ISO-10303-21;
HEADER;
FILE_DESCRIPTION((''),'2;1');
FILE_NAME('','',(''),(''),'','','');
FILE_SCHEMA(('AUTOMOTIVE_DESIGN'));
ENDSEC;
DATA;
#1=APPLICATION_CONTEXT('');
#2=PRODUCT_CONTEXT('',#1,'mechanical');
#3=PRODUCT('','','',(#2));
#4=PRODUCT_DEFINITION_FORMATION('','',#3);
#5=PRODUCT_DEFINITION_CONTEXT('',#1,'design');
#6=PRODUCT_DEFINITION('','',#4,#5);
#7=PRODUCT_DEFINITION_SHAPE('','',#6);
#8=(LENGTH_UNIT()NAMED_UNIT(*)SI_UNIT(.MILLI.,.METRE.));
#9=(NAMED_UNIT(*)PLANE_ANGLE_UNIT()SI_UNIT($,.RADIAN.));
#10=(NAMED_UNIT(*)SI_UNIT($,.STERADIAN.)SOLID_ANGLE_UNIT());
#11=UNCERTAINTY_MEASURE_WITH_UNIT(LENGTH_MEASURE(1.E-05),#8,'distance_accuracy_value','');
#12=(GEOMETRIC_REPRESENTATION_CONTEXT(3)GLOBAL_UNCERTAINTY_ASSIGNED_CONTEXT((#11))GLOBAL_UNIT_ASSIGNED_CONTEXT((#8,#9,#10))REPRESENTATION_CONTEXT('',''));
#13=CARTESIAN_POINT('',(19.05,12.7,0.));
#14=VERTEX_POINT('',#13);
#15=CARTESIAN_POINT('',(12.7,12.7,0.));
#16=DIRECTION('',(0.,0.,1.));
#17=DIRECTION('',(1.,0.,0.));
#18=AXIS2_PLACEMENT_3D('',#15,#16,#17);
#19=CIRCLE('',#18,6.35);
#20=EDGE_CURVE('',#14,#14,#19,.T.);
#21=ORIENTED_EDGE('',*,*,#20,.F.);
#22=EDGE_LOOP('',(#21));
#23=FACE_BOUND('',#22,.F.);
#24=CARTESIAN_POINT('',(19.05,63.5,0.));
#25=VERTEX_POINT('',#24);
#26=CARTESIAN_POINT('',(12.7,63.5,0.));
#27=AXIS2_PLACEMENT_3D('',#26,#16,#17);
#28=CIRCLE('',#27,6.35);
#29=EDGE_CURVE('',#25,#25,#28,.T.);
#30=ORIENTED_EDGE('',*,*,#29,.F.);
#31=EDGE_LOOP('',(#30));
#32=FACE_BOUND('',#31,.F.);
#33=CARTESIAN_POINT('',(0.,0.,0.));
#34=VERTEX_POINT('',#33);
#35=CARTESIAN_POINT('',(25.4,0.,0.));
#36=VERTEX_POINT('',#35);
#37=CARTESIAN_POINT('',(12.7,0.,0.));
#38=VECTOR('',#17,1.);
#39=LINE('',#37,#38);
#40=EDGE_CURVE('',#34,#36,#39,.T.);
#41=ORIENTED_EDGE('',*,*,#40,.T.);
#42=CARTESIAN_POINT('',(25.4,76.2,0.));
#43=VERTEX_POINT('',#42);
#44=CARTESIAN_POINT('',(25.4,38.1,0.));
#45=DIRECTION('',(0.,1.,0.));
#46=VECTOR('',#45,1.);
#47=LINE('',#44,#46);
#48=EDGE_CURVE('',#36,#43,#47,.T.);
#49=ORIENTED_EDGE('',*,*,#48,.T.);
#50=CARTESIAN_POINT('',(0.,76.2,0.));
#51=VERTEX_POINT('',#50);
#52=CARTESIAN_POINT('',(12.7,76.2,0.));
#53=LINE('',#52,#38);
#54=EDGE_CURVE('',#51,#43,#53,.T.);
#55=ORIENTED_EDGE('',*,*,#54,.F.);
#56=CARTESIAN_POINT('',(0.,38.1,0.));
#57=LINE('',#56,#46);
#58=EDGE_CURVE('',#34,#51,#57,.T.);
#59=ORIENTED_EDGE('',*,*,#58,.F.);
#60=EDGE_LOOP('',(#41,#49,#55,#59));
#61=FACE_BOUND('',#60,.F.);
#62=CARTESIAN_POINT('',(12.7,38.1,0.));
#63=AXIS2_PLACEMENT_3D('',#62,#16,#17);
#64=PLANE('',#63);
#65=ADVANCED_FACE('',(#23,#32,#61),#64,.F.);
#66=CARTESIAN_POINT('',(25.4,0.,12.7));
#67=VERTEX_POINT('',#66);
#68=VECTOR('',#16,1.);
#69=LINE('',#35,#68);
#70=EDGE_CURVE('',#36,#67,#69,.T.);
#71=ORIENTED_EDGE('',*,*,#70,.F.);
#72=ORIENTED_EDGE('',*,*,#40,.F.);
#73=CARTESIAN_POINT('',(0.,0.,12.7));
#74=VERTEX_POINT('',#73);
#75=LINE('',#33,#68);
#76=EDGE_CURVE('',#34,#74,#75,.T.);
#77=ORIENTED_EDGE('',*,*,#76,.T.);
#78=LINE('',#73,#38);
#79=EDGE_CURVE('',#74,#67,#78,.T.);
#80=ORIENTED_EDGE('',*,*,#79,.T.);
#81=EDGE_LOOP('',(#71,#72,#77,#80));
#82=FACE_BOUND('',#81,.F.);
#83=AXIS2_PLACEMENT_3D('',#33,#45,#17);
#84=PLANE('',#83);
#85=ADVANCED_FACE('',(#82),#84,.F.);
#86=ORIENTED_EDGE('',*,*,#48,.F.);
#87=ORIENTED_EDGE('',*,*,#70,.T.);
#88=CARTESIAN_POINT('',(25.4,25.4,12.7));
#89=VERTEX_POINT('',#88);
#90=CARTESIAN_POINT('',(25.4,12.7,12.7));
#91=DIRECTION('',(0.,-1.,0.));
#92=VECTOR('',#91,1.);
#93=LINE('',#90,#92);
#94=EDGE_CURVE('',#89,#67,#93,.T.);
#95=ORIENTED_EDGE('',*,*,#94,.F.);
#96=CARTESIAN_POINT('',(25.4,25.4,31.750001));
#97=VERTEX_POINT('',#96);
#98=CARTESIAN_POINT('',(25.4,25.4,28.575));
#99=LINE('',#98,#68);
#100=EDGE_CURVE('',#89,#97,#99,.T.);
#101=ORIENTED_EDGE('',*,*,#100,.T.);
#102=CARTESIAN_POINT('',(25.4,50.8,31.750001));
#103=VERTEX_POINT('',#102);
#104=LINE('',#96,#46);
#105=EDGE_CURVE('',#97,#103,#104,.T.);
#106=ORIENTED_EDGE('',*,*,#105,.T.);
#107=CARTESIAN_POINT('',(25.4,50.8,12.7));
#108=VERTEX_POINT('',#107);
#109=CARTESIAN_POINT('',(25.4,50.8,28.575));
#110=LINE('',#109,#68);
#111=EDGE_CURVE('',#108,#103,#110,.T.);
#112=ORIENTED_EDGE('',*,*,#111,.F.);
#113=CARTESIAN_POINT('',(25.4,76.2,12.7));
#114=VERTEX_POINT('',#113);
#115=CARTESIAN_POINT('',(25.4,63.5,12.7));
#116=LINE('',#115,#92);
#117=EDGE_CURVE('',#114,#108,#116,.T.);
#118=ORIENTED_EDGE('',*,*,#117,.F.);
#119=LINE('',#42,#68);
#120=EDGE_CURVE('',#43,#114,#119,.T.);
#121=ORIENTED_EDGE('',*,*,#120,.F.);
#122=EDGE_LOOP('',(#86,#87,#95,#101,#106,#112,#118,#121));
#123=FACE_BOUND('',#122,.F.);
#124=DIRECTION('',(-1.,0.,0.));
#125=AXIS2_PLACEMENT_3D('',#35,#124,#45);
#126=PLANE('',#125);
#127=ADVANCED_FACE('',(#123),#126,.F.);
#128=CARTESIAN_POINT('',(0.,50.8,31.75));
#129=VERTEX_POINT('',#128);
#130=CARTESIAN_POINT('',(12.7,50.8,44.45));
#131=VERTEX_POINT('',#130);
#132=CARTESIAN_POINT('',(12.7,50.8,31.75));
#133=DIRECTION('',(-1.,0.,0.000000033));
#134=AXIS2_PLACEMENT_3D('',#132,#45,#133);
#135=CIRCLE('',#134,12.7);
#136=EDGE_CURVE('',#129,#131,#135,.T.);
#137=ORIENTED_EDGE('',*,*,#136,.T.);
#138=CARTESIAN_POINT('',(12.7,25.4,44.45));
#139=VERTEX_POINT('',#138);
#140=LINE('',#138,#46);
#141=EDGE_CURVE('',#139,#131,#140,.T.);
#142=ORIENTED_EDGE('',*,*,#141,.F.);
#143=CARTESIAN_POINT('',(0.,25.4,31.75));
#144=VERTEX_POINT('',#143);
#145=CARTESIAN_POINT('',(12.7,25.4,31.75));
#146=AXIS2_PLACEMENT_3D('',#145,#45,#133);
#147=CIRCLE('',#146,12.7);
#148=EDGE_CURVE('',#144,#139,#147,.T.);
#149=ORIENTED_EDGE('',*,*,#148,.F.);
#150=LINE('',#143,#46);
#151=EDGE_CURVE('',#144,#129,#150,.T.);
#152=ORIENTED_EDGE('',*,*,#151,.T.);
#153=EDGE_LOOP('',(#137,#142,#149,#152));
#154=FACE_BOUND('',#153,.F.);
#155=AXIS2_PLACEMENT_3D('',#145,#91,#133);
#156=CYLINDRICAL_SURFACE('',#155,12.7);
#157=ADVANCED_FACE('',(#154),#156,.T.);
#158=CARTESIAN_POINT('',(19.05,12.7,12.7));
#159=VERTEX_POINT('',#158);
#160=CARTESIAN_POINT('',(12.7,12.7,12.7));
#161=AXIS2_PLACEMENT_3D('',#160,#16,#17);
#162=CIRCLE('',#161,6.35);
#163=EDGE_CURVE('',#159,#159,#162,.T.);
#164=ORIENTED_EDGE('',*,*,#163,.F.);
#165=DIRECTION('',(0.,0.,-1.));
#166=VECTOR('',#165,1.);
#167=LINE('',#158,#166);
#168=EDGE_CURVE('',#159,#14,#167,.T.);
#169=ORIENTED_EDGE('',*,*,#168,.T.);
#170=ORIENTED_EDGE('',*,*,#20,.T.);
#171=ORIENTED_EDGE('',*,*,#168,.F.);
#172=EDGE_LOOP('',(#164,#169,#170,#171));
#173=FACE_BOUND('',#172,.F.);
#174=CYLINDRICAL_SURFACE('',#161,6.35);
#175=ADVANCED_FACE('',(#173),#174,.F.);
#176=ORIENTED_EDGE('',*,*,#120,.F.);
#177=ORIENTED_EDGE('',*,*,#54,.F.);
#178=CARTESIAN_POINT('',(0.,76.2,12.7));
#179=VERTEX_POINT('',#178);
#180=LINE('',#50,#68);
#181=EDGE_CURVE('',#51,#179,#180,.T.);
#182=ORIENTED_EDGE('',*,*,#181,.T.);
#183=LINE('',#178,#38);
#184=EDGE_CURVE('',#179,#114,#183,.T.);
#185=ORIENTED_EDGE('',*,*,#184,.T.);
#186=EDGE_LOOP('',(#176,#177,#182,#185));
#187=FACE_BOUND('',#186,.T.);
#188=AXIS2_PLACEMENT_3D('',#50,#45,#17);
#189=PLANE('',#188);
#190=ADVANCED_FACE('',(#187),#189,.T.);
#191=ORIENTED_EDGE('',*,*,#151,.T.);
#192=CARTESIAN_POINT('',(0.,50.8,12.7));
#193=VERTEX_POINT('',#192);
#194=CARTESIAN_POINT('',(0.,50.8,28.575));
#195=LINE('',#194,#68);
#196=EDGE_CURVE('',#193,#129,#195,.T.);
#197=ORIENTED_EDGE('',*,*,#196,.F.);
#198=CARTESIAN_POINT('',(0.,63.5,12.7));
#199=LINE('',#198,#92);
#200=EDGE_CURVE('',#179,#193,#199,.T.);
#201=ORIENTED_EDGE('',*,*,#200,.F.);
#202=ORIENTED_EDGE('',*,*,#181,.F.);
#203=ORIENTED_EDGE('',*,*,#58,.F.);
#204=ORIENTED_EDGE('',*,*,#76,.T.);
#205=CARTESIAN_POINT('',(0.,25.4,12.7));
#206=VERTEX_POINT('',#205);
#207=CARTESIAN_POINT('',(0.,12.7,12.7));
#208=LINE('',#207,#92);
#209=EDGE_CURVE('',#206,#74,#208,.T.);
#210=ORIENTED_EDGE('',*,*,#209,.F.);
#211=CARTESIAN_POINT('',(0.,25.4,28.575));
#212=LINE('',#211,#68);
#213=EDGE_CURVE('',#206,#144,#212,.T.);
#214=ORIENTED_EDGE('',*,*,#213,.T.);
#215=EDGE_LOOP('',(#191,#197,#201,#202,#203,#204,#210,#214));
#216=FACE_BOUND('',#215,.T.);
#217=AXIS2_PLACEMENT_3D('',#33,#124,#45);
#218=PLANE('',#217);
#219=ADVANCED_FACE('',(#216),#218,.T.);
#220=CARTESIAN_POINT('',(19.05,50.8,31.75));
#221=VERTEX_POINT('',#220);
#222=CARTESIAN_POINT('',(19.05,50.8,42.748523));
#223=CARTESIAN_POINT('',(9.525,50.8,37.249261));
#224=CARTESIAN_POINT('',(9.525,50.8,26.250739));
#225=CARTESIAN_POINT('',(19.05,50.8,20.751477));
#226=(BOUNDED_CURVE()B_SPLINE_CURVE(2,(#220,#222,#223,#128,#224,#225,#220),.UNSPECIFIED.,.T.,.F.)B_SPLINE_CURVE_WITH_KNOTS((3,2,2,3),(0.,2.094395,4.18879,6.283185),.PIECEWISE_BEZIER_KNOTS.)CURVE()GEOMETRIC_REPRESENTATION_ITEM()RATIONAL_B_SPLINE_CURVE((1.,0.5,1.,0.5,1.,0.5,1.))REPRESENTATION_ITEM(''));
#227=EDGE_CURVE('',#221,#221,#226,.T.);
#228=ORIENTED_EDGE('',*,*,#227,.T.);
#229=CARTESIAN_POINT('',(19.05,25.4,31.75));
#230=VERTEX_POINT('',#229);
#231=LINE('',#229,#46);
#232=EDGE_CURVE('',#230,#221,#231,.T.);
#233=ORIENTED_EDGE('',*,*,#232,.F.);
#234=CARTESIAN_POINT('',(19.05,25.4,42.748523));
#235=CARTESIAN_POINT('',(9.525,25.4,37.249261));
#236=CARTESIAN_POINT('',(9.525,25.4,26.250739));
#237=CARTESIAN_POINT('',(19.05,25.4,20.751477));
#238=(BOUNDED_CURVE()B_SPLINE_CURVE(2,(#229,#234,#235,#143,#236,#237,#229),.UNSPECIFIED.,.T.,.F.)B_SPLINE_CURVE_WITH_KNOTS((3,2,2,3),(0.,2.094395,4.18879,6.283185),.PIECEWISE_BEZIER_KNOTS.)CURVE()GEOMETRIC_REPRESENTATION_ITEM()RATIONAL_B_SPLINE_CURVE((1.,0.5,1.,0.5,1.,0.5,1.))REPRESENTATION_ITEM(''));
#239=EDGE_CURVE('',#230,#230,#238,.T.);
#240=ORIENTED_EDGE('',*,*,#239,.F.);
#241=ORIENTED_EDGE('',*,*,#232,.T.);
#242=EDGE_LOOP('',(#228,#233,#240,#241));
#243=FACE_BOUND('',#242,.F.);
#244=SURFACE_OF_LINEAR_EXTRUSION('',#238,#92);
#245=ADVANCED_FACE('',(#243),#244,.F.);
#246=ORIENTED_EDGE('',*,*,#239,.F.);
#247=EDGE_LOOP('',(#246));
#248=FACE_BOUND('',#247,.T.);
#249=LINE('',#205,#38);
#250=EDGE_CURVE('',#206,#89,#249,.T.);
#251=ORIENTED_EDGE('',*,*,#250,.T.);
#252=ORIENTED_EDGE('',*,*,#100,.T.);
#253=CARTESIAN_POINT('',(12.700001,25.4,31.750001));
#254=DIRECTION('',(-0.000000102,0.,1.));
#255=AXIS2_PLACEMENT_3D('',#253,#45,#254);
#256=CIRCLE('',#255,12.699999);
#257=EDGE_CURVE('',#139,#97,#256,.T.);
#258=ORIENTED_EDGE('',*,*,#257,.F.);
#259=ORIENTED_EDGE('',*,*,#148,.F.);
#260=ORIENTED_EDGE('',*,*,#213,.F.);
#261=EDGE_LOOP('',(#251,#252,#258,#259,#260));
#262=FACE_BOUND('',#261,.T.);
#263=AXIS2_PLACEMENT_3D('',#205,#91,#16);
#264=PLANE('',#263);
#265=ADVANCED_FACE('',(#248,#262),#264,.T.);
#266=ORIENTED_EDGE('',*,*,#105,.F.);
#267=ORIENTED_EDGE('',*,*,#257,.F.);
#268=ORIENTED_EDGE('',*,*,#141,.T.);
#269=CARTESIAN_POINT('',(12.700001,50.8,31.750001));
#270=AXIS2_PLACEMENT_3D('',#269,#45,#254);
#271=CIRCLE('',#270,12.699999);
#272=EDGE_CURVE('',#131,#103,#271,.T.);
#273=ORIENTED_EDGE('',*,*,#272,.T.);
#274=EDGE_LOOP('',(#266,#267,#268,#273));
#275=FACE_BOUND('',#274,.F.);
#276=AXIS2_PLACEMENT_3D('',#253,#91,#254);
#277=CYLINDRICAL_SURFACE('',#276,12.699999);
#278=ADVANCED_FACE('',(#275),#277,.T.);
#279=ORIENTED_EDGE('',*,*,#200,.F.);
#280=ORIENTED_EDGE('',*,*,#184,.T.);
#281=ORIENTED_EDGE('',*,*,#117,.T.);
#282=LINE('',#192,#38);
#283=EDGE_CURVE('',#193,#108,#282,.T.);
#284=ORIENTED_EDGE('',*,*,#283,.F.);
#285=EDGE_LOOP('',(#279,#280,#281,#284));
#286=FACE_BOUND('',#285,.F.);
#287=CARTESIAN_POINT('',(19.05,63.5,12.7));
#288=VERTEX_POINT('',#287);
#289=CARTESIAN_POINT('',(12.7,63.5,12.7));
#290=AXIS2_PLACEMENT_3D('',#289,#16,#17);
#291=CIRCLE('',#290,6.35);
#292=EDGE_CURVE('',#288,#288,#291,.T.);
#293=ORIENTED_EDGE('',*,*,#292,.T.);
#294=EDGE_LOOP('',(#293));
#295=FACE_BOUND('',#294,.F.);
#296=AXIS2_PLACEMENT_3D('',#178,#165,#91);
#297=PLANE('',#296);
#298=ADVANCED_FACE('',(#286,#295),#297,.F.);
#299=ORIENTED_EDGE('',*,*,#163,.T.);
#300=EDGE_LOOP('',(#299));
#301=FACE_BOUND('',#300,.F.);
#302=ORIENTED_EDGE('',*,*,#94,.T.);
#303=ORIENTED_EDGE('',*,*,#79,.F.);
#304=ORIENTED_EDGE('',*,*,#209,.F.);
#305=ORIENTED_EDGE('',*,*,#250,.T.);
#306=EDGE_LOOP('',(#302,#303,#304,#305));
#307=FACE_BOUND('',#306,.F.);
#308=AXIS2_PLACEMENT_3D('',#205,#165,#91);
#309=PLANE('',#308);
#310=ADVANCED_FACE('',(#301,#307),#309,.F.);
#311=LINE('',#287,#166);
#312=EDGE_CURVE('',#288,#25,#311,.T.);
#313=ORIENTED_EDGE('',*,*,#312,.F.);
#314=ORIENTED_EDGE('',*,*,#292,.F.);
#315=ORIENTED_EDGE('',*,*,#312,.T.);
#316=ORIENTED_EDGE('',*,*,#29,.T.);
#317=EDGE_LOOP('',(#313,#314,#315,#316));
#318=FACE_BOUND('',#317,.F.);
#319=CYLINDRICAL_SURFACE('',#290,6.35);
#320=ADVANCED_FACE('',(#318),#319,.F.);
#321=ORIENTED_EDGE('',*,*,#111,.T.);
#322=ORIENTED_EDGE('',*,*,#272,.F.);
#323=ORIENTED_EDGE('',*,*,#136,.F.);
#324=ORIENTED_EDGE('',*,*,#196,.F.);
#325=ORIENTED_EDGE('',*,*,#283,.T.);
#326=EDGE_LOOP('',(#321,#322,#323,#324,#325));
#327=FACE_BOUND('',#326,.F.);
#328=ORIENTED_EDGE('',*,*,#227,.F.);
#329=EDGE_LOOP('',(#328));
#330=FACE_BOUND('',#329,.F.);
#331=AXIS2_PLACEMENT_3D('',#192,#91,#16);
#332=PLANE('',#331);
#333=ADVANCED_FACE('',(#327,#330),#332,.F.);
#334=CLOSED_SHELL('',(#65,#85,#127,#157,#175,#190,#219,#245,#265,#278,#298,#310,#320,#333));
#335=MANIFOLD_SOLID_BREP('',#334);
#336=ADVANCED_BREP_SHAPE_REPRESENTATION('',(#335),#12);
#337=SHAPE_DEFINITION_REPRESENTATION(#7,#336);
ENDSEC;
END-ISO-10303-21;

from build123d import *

# Parameters (mm, degrees)
F0_W      = 25.4
F0_H      = 76.2
F1_DEPTH  = 44.45
F2_W      = 25.4
F2_H      = 31.75
F3_DEPTH  = 25.4
F5_DEPTH  = 25.4
F7_DEPTH  = 25.4
F8_R      = 6.35
F9_DEPTH  = 25.4
F10_R     = 6.35
F11_DEPTH = 25.4


with BuildPart() as f1:
    # F0 (on Top) → F1 (new body)
    with BuildSketch(Plane.XY):
        with Locations((12.7, 38.1)):
            Rectangle(F0_W, F0_H)
    extrude(amount=F1_DEPTH)

    # F2 (on face) → F3 (cut)
    with BuildSketch(Plane(origin=(0, 0, 0), x_dir=(0, -1, 0), z_dir=(-1, 0, 0))):
        with Locations((-63.5, 28.575)):
            Rectangle(F2_W, F2_H)
        with Locations((-12.7, 28.575)):
            Rectangle(F2_W, F2_H)
    extrude(amount=-F3_DEPTH, mode=Mode.SUBTRACT)

    # F4 (on face) → F5 (cut)
    with BuildSketch(Plane.XZ.offset(-25.4)):
        with BuildLine():
            ThreePointArc((0, 31.75), (3.719744, 40.730256), (12.7, 44.45))
            Line((12.7, 44.45), (0, 44.45))
            Line((0, 44.45), (0, 31.75))
        make_face()
        with BuildLine():
            ThreePointArc((12.7, 44.45), (21.680256, 40.730257), (25.4, 31.750001))
            Line((25.4, 31.750001), (25.4, 44.45))
            Line((25.4, 44.45), (12.7, 44.45))
        make_face()
    extrude(amount=-F5_DEPTH, mode=Mode.SUBTRACT)

    # F6 (on face) → F7 (cut)
    with BuildSketch(Plane.XZ.offset(-25.4)):
        with BuildLine():
            add(Edge.make_bspline(
                [(19.05, 31.75), (19.05, 42.748523), (9.525, 37.249261), (0, 31.75), (9.525, 26.250739), (19.05, 20.751477), (19.05, 31.75)],
                knots=[0, 0, 0, 2.094395, 2.094395, 4.18879, 4.18879, 6.283185, 6.283185, 6.283185], degree=2, weights=[1, 0.5, 1, 0.5, 1, 0.5, 1]))
        make_face()
    extrude(amount=-F7_DEPTH, mode=Mode.SUBTRACT)

    # F8 (on face) → F9 (cut)
    with BuildSketch(Plane.XY.offset(12.7)):
        with Locations((12.7, 12.7)):
            Circle(F8_R)
    extrude(amount=-F9_DEPTH, mode=Mode.SUBTRACT)

    # F10 (on face) → F11 (cut)
    with BuildSketch(Plane.XY.offset(12.7)):
        with Locations((12.7, 63.5)):
            Circle(F10_R)
    extrude(amount=-F11_DEPTH, mode=Mode.SUBTRACT)


solid = f1.part
